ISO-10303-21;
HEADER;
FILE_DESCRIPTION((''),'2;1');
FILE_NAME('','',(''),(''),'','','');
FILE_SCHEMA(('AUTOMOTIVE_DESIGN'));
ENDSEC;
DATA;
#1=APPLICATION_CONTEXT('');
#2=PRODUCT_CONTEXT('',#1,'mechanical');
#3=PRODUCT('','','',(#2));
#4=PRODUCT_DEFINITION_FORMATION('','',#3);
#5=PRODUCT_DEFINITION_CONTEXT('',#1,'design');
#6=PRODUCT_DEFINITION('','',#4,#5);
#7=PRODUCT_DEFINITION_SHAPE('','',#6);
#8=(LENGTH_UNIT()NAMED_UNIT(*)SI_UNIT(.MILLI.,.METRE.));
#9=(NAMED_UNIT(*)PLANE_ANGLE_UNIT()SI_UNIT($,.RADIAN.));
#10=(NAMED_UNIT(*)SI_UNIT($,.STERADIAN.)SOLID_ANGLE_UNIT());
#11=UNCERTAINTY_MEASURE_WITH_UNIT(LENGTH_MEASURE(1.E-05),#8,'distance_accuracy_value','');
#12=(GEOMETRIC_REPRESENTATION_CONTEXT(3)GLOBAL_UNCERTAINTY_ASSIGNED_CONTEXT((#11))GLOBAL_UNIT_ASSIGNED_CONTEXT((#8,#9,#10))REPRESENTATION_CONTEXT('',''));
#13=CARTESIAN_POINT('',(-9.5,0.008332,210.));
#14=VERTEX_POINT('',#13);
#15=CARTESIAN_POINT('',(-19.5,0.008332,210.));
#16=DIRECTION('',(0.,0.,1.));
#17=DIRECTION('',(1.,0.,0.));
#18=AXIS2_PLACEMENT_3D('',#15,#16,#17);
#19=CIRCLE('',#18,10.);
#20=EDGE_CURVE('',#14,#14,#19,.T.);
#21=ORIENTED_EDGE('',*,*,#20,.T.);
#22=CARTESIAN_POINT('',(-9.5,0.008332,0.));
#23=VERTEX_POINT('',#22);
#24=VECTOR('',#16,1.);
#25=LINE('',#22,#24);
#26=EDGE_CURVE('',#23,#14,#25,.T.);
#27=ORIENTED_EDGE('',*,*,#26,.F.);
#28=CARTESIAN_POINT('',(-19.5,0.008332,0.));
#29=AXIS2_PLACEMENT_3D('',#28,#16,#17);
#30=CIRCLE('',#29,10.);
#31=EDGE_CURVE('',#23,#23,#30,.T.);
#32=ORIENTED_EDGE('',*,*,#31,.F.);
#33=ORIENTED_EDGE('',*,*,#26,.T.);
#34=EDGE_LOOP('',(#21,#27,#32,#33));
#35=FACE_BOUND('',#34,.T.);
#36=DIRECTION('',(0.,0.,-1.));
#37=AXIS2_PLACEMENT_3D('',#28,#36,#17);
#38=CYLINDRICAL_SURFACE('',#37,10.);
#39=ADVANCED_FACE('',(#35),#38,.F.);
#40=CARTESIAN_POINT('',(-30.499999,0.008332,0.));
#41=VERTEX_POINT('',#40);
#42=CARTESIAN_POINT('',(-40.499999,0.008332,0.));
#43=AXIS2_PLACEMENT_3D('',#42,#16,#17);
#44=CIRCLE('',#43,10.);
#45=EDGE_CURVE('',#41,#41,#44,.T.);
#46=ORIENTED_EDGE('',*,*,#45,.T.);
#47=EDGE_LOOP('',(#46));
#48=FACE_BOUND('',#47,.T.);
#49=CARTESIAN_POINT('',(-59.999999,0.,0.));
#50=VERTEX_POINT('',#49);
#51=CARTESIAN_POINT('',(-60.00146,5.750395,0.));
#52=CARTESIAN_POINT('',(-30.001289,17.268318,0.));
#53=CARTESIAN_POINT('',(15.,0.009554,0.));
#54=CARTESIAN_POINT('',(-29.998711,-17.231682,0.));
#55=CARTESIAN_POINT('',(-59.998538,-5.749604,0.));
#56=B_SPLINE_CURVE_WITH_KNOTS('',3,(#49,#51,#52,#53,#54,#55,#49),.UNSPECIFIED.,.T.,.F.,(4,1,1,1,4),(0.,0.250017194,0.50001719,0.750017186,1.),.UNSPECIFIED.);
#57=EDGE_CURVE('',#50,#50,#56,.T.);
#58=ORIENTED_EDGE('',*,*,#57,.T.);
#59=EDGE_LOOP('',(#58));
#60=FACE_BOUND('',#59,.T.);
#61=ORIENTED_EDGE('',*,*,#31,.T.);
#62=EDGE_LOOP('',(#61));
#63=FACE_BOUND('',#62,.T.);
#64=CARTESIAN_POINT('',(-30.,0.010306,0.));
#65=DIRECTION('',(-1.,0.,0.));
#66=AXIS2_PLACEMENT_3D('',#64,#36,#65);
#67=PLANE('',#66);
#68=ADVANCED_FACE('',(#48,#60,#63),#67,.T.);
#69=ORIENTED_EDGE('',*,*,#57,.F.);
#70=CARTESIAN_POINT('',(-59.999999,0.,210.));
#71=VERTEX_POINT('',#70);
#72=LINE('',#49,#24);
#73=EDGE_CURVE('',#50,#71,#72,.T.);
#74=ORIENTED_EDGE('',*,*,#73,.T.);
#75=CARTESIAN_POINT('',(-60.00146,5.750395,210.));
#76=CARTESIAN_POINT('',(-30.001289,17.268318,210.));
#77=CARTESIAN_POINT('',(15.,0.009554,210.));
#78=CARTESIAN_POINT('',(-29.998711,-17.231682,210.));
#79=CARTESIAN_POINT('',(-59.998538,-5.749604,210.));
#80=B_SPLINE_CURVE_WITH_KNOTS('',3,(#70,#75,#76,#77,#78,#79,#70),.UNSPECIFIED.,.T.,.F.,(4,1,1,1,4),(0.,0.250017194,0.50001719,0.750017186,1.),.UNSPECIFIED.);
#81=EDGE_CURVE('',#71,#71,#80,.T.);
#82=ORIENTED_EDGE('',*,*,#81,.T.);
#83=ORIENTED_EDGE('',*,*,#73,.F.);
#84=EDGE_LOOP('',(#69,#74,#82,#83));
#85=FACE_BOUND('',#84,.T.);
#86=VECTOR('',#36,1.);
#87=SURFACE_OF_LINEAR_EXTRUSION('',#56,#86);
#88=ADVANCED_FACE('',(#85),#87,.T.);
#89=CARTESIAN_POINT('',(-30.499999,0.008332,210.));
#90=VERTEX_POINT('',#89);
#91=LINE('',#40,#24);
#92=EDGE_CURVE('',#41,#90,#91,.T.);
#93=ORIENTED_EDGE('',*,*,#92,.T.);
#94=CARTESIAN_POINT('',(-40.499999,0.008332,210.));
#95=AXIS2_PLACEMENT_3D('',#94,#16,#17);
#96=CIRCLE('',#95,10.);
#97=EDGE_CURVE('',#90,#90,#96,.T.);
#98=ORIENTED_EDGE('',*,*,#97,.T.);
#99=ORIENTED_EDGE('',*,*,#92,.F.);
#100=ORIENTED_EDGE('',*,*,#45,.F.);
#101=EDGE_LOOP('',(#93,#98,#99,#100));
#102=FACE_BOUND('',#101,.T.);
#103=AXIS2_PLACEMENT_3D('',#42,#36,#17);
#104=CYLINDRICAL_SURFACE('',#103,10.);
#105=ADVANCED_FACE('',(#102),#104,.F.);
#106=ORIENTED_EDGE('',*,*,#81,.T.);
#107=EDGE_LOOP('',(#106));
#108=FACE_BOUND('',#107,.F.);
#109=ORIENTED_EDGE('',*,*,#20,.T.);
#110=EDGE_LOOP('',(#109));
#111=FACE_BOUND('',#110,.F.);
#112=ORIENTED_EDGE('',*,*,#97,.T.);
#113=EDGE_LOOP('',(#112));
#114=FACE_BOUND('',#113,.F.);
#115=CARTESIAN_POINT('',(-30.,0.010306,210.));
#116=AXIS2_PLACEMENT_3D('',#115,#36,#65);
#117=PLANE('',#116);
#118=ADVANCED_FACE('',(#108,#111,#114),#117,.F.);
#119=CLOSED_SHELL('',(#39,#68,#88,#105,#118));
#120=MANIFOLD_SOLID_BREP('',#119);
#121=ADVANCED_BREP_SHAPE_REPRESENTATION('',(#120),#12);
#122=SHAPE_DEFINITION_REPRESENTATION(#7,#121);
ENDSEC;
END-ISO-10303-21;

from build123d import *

# Parameters (mm, degrees)
F0_R     = 10
F1_DEPTH = 210


with BuildPart() as f1:
    # F0 (on Top) → F1 (new body)
    with BuildSketch(Plane.XY):
        with BuildLine():
            add(Edge.make_bspline(
                [(-59.9999987303, 0), (-60.0014599641, 5.750394804), (-30.0012894209, 17.2683179325), (14.9999998663, 0.0095543559), (-29.9987109502, -17.2316819716), (-59.9985376974, -5.7496040731), (-59.9999987303, 0)],
                knots=[0, 0, 0, 0, 0.2500171935, 0.5000171898, 0.7500171861, 1, 1, 1, 1], degree=3))
        make_face()
        with Locations((-40.4999991429, 0.0083320485)):
            Circle(F0_R, mode=Mode.SUBTRACT)
        with Locations((-19.4999995873, 0.0083320485)):
            Circle(F0_R, mode=Mode.SUBTRACT)
    extrude(amount=F1_DEPTH)


solid = f1.part
